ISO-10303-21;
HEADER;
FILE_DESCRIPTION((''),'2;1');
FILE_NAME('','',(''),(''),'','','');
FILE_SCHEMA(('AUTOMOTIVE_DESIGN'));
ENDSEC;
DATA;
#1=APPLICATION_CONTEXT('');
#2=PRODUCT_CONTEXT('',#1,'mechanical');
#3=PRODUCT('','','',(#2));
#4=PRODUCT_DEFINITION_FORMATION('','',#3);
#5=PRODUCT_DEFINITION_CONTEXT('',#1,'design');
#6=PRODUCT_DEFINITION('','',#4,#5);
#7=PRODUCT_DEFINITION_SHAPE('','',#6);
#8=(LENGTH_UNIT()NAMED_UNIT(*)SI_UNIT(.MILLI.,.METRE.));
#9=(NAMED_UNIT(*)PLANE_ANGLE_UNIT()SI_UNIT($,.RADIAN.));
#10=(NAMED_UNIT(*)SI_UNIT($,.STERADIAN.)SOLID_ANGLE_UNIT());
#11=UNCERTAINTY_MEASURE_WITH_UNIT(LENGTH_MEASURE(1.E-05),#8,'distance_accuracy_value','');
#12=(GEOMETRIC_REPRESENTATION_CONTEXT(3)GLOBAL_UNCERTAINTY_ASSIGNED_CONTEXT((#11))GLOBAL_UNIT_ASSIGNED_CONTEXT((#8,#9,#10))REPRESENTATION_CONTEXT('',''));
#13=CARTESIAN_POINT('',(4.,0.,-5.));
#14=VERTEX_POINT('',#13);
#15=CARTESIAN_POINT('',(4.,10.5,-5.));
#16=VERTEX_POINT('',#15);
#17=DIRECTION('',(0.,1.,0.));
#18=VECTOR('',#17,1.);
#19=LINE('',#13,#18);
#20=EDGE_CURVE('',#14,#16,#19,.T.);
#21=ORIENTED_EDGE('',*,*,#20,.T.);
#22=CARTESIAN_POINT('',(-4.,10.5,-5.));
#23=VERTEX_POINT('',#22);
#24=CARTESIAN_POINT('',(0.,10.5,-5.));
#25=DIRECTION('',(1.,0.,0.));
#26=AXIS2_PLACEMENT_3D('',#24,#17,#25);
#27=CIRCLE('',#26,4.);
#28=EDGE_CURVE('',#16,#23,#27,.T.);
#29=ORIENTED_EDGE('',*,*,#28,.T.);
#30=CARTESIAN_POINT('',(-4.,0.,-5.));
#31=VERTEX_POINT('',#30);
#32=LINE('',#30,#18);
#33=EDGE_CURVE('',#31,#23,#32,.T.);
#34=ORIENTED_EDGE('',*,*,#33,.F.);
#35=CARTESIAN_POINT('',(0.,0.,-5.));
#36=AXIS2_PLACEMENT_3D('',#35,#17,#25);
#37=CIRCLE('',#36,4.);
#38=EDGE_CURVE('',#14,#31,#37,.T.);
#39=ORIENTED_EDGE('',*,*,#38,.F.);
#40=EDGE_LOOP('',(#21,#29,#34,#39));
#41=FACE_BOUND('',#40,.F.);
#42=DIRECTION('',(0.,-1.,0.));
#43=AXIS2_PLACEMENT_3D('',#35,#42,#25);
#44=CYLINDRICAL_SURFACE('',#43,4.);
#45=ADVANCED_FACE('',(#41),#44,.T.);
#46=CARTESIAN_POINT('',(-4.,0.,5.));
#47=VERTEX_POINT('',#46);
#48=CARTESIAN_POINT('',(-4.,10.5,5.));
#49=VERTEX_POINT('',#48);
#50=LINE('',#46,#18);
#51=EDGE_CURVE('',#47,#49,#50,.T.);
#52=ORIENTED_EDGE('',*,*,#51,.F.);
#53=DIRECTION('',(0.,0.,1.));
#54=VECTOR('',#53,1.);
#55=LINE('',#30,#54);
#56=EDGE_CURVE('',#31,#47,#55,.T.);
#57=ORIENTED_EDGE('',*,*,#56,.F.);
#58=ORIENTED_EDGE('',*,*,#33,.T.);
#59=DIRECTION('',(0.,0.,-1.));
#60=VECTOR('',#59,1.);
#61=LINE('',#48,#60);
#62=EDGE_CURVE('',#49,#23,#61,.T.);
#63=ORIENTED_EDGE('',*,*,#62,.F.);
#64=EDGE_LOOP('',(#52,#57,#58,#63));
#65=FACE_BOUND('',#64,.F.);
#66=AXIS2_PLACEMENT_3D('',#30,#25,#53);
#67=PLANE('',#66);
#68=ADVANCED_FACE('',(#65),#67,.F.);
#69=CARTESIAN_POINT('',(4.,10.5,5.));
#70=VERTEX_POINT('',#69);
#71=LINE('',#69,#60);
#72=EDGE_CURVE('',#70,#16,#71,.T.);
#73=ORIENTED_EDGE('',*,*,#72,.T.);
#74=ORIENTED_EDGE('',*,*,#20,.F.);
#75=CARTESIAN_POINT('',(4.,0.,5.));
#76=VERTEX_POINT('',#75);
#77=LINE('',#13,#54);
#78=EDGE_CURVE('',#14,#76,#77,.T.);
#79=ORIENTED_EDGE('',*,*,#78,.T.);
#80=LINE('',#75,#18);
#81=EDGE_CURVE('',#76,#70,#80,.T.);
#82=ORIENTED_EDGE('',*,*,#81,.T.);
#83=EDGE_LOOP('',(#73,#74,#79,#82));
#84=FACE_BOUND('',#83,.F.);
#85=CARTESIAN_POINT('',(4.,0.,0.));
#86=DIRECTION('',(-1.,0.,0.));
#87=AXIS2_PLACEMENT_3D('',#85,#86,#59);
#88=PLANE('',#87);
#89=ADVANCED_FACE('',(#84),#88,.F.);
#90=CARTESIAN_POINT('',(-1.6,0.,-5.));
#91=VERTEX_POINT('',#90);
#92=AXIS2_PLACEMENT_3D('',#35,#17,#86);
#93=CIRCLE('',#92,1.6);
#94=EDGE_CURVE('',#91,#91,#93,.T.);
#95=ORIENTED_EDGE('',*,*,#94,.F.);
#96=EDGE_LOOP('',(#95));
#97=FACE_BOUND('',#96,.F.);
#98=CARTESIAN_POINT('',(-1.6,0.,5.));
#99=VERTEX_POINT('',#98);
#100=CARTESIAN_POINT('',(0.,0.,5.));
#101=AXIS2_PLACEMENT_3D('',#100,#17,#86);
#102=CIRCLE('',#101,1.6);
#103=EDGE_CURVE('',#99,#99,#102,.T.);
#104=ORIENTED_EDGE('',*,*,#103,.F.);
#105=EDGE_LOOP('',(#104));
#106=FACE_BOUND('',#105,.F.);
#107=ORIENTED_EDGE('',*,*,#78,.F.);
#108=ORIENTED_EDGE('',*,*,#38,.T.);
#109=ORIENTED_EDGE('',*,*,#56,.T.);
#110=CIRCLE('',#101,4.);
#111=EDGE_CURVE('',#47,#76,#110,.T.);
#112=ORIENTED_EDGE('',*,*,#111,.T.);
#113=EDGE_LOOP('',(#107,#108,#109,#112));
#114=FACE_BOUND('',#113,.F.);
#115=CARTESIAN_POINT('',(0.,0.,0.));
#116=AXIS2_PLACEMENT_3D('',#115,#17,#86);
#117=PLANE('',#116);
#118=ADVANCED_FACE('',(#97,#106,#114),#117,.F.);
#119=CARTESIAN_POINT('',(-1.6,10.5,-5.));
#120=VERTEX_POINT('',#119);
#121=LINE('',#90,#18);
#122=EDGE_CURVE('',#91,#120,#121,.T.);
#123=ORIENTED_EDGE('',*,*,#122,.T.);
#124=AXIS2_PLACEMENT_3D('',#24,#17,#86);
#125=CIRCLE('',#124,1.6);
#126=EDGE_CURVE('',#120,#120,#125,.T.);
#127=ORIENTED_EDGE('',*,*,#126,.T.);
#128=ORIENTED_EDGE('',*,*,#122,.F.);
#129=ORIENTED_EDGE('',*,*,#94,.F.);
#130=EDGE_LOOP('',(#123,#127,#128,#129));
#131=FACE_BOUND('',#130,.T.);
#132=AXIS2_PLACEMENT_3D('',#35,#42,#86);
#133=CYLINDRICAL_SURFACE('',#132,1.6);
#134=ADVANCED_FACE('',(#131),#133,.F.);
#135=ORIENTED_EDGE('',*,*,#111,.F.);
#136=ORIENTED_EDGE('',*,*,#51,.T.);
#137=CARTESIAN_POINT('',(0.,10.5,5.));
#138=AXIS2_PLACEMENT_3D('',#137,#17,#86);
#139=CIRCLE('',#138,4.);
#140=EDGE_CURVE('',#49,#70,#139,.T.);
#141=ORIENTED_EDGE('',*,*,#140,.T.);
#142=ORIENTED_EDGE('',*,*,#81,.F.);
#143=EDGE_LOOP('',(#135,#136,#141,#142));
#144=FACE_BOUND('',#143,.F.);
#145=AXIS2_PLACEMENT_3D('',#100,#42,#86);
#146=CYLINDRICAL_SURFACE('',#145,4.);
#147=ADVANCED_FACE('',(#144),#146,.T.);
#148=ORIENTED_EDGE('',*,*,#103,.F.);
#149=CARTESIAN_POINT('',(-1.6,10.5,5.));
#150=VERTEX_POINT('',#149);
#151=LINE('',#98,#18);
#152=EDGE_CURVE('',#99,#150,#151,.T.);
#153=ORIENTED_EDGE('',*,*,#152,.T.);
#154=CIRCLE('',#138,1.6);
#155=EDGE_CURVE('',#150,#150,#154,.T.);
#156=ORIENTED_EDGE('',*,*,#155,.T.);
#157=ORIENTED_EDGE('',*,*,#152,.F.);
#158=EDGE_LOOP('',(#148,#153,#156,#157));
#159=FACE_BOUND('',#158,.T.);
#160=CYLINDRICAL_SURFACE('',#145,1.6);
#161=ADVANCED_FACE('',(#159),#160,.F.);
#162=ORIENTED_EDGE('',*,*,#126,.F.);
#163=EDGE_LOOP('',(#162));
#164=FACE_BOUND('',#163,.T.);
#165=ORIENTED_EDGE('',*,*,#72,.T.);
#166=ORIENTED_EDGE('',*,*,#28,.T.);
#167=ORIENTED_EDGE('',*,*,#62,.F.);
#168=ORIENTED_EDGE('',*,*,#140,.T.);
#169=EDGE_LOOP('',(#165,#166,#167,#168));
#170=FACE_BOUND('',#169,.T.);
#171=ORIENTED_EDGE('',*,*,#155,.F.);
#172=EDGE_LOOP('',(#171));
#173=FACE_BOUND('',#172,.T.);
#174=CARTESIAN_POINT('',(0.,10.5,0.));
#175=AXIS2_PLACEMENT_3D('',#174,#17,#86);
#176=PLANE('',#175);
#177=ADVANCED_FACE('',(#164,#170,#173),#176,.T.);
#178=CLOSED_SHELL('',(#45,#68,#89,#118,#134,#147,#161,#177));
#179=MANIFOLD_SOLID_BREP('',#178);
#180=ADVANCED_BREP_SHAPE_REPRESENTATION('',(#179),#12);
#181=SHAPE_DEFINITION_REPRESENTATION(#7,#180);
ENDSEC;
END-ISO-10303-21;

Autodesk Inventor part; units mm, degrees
ref_plane "YZ Plane" through (0, 0, 0) normal (1, 0, 0) x (0, 1, 0)
ref_plane "XZ Plane" through (0, 0, 0) normal (0, 1, 0) x (-1, 0, 0)
ref_plane "XY Plane" through (0, 0, 0) normal (0, 0, 1) x (1, 0, 0)
sketch "スケッチ1" plane through (0, 0, 0) normal (0, 1, 0) x (-1, 0, 0)
  circle A0 centre (0, 5) radius 1.6
  circle A1 centre (0, -5) radius 1.6
  line L0 (5.6, 0) -> (-5.6, 0) projected
  line L1 (0, -5) -> (0, 5) construction
  line L2 (4, -5) -> (4, 5)
  line L3 (-4, 5) -> (-4, -5)
  arc A2 (-4, -5) -> (4, -5) centre (0, -5) ccw
  arc A3 (4, 5) -> (-4, 5) centre (0, 5) ccw
  point P0 (0, 0)
  dimension "d0" = 3.2
  dimension "d1" = 3.2
  dimension "d2" = 10
  dimension "d3" = 4
extrude "押し出し1" add sketch "スケッチ1" along normal blind 10.5
properties part number "spacer_2_hole"
